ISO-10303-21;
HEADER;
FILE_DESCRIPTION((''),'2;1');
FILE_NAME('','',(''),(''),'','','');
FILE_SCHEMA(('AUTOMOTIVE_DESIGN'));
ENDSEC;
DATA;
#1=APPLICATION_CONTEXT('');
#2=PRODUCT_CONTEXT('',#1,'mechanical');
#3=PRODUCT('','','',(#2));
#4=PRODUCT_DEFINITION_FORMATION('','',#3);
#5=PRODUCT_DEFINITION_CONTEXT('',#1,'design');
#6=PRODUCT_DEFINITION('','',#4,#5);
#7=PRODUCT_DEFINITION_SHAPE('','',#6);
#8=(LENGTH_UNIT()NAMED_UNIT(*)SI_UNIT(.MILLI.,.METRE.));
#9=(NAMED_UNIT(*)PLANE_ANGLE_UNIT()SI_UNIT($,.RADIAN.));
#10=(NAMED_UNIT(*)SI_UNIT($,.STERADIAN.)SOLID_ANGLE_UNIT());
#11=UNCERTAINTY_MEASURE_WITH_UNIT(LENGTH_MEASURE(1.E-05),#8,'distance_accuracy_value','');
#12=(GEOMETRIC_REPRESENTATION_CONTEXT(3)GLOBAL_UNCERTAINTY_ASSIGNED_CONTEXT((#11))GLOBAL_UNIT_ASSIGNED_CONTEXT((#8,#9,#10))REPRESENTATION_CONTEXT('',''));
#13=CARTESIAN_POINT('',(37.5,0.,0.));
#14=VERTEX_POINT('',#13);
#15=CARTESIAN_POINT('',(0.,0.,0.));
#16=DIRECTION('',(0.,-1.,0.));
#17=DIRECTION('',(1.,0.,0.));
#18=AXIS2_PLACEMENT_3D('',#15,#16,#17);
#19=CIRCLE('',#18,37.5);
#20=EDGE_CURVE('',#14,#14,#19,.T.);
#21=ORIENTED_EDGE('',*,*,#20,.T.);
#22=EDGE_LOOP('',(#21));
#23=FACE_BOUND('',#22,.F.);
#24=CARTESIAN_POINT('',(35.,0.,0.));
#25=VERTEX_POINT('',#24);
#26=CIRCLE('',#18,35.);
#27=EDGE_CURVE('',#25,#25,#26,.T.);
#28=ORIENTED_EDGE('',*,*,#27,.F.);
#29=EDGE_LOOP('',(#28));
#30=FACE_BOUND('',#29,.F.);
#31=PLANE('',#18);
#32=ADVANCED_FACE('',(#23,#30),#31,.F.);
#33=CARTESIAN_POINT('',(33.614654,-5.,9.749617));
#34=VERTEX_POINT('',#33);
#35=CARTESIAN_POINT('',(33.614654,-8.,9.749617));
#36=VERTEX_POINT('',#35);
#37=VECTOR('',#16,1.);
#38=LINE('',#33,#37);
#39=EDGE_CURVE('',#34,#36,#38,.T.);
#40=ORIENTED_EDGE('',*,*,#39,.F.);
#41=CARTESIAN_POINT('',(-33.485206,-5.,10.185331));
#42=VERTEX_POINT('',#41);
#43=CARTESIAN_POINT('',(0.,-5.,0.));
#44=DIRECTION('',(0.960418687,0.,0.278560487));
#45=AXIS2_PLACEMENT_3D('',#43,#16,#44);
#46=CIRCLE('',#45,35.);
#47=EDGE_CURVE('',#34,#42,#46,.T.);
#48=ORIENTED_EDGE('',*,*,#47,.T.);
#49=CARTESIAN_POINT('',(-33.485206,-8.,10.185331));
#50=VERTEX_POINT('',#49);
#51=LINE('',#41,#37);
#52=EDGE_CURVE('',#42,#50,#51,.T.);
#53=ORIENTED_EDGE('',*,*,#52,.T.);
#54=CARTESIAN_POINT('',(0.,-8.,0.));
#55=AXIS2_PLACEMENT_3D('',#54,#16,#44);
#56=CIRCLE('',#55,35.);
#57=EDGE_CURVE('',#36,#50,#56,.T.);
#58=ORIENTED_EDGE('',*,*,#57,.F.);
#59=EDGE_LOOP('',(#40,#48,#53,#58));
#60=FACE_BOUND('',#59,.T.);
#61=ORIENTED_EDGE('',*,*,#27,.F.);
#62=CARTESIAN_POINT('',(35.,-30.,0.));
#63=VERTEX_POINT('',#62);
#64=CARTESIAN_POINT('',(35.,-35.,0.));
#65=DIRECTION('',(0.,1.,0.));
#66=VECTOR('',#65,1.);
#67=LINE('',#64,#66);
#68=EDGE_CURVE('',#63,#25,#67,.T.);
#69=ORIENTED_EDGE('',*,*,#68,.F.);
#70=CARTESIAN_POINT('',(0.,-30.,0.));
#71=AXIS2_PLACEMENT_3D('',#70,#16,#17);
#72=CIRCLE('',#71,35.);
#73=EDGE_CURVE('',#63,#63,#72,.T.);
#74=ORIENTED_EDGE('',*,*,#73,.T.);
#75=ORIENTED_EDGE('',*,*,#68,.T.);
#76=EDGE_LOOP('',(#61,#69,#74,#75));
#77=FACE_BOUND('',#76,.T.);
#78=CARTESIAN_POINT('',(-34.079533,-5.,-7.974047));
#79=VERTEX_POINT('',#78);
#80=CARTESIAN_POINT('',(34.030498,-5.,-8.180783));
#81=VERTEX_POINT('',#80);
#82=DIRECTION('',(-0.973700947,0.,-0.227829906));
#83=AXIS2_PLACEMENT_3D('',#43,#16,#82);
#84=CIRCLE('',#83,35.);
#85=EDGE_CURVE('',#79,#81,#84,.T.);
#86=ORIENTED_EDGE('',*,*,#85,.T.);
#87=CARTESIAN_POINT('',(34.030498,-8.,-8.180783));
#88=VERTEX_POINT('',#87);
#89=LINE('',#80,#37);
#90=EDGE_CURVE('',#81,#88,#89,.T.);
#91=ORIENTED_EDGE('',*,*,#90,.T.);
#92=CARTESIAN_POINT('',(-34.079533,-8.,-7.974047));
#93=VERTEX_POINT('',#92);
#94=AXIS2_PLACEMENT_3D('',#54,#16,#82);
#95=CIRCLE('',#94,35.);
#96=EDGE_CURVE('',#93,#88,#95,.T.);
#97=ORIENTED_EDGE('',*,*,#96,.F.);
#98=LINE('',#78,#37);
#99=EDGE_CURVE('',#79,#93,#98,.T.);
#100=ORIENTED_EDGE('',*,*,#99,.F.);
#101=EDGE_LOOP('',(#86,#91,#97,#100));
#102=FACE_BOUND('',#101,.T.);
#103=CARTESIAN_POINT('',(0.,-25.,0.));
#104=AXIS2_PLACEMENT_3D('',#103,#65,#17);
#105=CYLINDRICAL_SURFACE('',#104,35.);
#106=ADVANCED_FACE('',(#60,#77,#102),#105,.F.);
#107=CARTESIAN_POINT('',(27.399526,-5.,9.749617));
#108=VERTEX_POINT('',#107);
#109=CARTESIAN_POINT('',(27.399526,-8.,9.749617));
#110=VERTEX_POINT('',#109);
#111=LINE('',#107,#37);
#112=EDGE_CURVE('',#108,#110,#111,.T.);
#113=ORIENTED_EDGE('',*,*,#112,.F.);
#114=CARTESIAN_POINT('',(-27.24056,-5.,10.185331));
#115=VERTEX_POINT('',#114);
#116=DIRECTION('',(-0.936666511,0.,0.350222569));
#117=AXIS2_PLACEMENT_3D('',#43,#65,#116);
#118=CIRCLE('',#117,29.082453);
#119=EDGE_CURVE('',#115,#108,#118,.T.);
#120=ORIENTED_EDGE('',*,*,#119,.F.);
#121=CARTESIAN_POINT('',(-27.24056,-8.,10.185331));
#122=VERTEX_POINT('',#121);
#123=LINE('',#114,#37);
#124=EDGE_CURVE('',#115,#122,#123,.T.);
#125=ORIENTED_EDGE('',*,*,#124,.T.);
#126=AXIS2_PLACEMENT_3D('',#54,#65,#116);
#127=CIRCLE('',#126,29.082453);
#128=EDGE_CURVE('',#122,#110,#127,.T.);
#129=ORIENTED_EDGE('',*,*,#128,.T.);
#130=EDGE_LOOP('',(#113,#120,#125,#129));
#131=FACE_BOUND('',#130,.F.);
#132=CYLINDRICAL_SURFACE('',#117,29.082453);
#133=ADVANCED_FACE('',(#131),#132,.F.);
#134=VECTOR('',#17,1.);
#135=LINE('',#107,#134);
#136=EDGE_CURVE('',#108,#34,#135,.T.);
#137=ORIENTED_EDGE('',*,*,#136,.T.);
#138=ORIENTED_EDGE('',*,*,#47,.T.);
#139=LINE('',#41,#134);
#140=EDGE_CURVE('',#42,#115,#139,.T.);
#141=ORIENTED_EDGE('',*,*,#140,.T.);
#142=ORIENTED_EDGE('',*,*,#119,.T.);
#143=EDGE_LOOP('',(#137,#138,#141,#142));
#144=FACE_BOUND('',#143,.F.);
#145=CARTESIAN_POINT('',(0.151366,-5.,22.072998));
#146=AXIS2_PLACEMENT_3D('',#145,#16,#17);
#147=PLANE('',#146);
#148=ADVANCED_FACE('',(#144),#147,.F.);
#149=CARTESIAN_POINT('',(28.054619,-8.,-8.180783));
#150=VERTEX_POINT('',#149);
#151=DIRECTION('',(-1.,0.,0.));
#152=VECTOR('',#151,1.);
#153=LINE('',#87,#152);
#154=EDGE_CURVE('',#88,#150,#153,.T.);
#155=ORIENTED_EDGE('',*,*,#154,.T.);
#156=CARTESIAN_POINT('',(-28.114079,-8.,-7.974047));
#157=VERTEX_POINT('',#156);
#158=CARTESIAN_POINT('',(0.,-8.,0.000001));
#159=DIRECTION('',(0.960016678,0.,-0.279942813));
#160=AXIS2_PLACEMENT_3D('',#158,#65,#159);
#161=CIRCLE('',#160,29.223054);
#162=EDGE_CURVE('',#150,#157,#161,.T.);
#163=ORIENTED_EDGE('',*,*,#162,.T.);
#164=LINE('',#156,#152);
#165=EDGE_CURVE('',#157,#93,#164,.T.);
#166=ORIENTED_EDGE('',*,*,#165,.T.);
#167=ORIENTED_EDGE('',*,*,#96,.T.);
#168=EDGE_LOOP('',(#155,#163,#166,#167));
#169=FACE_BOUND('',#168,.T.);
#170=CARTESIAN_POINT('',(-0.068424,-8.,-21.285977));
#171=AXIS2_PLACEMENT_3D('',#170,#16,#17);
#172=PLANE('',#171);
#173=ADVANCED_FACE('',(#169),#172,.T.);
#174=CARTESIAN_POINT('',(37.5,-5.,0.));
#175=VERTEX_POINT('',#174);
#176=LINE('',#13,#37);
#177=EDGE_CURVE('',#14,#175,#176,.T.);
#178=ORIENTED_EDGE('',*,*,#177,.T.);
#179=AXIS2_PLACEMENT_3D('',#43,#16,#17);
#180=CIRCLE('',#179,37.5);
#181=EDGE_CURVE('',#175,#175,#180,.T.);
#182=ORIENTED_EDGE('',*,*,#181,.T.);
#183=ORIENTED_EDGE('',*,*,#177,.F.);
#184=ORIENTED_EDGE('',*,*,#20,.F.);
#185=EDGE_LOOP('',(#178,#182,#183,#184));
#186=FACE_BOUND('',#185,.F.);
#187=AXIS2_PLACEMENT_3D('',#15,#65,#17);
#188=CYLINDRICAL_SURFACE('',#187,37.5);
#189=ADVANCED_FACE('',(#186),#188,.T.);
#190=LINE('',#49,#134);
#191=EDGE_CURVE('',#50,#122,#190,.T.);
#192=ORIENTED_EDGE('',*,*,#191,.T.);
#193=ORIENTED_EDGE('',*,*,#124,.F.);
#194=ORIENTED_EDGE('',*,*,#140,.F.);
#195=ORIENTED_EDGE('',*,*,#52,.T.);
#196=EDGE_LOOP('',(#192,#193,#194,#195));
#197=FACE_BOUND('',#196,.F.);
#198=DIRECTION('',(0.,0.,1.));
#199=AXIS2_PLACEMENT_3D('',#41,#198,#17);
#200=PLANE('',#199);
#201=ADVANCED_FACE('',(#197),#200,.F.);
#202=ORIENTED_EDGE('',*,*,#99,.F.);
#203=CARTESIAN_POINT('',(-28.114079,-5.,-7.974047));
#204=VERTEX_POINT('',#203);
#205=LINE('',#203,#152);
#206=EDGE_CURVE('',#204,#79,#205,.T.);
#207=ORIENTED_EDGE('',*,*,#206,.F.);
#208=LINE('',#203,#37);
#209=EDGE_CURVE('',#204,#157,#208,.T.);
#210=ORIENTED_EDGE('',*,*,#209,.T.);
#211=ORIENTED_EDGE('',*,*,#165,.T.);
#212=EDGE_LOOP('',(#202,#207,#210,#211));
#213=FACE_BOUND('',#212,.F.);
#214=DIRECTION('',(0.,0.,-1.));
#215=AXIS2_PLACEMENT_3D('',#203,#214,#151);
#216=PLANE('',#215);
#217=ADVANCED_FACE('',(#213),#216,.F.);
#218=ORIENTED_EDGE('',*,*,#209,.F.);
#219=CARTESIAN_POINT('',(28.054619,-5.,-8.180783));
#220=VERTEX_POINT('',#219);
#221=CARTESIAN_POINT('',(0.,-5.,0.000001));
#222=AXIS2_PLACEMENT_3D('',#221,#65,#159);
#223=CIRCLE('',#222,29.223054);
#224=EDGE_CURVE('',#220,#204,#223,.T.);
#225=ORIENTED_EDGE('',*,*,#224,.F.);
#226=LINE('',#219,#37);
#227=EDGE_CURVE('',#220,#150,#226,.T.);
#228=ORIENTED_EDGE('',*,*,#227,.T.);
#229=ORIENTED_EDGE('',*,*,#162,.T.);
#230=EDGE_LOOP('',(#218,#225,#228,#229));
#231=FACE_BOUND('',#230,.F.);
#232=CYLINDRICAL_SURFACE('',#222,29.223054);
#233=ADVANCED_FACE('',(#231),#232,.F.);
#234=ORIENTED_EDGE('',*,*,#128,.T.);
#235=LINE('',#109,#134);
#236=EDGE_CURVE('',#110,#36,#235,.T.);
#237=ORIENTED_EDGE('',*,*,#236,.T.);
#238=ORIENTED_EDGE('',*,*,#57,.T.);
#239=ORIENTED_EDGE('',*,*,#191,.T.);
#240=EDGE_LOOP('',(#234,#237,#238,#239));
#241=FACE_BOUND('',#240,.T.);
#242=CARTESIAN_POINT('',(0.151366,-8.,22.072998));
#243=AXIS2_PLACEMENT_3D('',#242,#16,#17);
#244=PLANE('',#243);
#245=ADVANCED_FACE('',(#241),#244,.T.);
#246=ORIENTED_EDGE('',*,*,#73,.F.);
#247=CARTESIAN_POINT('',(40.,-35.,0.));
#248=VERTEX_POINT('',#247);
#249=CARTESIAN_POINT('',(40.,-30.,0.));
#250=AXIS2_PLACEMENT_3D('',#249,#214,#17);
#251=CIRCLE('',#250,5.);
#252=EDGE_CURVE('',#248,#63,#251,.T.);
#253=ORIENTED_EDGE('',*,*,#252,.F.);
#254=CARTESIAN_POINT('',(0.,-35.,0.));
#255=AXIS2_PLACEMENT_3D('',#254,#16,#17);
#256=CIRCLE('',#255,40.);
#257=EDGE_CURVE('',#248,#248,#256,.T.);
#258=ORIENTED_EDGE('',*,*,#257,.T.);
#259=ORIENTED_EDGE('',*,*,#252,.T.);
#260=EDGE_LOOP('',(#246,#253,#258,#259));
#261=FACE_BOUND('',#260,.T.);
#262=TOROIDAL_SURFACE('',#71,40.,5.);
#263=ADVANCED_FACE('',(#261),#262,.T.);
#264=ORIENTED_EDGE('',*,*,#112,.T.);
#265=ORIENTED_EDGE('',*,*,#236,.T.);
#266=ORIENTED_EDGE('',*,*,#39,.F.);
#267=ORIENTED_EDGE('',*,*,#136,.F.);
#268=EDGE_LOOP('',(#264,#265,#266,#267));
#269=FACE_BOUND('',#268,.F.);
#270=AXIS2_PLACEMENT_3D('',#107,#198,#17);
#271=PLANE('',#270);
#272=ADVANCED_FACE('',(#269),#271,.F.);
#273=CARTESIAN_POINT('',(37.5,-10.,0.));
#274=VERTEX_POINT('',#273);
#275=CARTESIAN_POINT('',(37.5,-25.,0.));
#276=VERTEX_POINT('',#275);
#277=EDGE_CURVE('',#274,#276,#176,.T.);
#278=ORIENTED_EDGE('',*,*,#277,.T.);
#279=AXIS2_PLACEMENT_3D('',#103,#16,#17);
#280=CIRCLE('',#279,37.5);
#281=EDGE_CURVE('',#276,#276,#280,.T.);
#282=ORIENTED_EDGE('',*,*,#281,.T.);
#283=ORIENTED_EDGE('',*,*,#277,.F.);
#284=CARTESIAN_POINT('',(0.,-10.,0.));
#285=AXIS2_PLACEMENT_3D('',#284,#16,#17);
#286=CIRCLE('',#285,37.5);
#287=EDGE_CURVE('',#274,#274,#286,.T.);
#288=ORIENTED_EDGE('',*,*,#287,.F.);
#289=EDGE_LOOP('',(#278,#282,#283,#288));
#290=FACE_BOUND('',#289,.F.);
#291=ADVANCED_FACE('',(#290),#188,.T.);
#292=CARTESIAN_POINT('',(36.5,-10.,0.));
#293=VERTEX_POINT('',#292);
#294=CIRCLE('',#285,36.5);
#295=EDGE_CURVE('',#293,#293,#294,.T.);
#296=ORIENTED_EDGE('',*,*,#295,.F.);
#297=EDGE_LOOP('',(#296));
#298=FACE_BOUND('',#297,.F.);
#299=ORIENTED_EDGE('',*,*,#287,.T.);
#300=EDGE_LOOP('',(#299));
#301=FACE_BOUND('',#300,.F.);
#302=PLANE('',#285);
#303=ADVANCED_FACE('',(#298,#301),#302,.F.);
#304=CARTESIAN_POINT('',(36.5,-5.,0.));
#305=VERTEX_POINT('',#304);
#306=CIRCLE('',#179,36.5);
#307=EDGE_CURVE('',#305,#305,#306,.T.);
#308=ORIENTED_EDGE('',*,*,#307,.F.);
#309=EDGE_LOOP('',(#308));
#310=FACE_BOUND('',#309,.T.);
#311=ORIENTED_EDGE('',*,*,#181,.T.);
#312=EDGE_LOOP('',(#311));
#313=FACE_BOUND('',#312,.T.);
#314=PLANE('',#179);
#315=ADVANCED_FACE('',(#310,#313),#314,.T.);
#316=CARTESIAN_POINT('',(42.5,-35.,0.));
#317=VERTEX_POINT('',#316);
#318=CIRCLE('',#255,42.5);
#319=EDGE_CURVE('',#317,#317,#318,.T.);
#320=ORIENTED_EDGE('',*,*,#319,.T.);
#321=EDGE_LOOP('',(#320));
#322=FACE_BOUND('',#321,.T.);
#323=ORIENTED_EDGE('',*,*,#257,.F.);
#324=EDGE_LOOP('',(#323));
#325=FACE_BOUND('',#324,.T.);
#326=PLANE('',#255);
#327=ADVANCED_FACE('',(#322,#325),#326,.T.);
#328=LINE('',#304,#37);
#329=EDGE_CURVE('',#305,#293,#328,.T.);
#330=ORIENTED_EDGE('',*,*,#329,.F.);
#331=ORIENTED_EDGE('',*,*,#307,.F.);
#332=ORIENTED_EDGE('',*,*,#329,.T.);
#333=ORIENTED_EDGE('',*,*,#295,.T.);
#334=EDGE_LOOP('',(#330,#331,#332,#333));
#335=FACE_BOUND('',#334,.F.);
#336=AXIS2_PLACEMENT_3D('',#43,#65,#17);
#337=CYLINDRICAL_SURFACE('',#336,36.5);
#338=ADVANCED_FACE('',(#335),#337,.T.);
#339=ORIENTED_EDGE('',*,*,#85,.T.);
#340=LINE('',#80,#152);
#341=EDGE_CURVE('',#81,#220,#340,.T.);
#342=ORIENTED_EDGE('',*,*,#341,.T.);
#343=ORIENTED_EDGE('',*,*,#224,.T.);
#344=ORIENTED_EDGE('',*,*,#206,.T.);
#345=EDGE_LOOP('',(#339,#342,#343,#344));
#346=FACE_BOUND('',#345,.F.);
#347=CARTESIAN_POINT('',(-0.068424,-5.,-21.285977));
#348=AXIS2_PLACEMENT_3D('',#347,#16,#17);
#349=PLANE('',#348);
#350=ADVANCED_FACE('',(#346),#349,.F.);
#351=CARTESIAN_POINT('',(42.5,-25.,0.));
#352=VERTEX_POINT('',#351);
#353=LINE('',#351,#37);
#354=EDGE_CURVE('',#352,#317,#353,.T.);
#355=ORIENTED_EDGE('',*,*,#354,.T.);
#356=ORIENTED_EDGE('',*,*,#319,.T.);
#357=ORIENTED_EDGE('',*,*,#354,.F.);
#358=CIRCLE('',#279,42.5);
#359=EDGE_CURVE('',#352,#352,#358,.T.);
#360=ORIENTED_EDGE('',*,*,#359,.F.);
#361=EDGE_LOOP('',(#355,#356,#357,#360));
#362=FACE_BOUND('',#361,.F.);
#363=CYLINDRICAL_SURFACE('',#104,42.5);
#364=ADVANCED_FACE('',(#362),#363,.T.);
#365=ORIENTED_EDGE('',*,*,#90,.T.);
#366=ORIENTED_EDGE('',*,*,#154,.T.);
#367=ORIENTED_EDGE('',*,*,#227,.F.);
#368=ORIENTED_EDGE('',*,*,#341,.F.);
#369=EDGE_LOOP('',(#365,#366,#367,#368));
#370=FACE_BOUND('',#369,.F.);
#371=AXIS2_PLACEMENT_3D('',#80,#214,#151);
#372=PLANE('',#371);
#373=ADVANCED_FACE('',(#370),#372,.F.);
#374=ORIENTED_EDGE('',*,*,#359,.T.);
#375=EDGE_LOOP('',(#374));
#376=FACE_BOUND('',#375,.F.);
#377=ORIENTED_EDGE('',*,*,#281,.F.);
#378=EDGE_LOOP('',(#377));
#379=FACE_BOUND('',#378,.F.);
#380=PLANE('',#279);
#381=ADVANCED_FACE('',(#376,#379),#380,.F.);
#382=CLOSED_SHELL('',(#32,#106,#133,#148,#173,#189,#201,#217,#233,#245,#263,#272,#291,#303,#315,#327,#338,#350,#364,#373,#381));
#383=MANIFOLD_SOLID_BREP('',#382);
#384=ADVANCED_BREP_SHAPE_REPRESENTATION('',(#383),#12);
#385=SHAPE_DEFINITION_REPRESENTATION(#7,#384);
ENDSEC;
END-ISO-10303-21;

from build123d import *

# Parameters (mm, degrees)
F0_R      = 37.5
F0_R_2    = 35
F1_DEPTH  = 25
F2_R      = 42.5
F2_R_2    = 35
F3_DEPTH  = 10
F4_R      = 5
F6_R      = 37.5
F6_R_2    = 36.5
F7_DEPTH  = 5
F9_DEPTH  = 3
F11_DEPTH = 3


with BuildPart() as f1:
    # F0 (on Front) → F1 (new body)
    with BuildSketch(Plane.XZ):
        Circle(F0_R)
        Circle(F0_R_2, mode=Mode.SUBTRACT)
    extrude(amount=F1_DEPTH)

    # F2 (on face) → F3 (join)
    with BuildSketch(Plane.XZ.offset(25)):
        Circle(F2_R)
        Circle(F2_R_2, mode=Mode.SUBTRACT)
    extrude(amount=F3_DEPTH)

    # F4
    f4_edges = [f1.edges().sort_by_distance(p)[0] for p in [
        (-35, -35, 0),
    ]]
    fillet(f4_edges, radius=F4_R)

    # F6 (on offset) → F7 (cut)
    with BuildSketch(Plane.XZ.offset(5)):
        Circle(F6_R)
        Circle(F6_R_2, mode=Mode.SUBTRACT)
    extrude(amount=F7_DEPTH, mode=Mode.SUBTRACT)

    # F8 (on offset) → F9 (join)
    with BuildSketch(Plane.XZ.offset(5)):
        with BuildLine():
            Line((27.399526, 9.749617), (33.614654, 9.749617))
            ThreePointArc((33.614654, 9.749617), (0.227268, 34.999262), (-33.485206, 10.185331))
            Line((-33.485206, 10.185331), (-27.24056, 10.185331))
            ThreePointArc((-27.24056, 10.185331), (0.231904, 29.081528), (27.399526, 9.749617))
        make_face()
    extrude(amount=F9_DEPTH)

    # F10 (on offset) → F11 (join)
    with BuildSketch(Plane.XZ.offset(5)):
        with BuildLine():
            Line((-28.114079, -7.974047), (-34.079533, -7.974047))
            ThreePointArc((-34.079533, -7.974047), (-0.106236, -34.999839), (34.030498, -8.180783))
            Line((34.030498, -8.180783), (28.054619, -8.180783))
            ThreePointArc((28.054619, -8.180783), (-0.107558, -29.222855), (-28.114079, -7.974047))
        make_face()
    extrude(amount=F11_DEPTH)


solid = f1.part
